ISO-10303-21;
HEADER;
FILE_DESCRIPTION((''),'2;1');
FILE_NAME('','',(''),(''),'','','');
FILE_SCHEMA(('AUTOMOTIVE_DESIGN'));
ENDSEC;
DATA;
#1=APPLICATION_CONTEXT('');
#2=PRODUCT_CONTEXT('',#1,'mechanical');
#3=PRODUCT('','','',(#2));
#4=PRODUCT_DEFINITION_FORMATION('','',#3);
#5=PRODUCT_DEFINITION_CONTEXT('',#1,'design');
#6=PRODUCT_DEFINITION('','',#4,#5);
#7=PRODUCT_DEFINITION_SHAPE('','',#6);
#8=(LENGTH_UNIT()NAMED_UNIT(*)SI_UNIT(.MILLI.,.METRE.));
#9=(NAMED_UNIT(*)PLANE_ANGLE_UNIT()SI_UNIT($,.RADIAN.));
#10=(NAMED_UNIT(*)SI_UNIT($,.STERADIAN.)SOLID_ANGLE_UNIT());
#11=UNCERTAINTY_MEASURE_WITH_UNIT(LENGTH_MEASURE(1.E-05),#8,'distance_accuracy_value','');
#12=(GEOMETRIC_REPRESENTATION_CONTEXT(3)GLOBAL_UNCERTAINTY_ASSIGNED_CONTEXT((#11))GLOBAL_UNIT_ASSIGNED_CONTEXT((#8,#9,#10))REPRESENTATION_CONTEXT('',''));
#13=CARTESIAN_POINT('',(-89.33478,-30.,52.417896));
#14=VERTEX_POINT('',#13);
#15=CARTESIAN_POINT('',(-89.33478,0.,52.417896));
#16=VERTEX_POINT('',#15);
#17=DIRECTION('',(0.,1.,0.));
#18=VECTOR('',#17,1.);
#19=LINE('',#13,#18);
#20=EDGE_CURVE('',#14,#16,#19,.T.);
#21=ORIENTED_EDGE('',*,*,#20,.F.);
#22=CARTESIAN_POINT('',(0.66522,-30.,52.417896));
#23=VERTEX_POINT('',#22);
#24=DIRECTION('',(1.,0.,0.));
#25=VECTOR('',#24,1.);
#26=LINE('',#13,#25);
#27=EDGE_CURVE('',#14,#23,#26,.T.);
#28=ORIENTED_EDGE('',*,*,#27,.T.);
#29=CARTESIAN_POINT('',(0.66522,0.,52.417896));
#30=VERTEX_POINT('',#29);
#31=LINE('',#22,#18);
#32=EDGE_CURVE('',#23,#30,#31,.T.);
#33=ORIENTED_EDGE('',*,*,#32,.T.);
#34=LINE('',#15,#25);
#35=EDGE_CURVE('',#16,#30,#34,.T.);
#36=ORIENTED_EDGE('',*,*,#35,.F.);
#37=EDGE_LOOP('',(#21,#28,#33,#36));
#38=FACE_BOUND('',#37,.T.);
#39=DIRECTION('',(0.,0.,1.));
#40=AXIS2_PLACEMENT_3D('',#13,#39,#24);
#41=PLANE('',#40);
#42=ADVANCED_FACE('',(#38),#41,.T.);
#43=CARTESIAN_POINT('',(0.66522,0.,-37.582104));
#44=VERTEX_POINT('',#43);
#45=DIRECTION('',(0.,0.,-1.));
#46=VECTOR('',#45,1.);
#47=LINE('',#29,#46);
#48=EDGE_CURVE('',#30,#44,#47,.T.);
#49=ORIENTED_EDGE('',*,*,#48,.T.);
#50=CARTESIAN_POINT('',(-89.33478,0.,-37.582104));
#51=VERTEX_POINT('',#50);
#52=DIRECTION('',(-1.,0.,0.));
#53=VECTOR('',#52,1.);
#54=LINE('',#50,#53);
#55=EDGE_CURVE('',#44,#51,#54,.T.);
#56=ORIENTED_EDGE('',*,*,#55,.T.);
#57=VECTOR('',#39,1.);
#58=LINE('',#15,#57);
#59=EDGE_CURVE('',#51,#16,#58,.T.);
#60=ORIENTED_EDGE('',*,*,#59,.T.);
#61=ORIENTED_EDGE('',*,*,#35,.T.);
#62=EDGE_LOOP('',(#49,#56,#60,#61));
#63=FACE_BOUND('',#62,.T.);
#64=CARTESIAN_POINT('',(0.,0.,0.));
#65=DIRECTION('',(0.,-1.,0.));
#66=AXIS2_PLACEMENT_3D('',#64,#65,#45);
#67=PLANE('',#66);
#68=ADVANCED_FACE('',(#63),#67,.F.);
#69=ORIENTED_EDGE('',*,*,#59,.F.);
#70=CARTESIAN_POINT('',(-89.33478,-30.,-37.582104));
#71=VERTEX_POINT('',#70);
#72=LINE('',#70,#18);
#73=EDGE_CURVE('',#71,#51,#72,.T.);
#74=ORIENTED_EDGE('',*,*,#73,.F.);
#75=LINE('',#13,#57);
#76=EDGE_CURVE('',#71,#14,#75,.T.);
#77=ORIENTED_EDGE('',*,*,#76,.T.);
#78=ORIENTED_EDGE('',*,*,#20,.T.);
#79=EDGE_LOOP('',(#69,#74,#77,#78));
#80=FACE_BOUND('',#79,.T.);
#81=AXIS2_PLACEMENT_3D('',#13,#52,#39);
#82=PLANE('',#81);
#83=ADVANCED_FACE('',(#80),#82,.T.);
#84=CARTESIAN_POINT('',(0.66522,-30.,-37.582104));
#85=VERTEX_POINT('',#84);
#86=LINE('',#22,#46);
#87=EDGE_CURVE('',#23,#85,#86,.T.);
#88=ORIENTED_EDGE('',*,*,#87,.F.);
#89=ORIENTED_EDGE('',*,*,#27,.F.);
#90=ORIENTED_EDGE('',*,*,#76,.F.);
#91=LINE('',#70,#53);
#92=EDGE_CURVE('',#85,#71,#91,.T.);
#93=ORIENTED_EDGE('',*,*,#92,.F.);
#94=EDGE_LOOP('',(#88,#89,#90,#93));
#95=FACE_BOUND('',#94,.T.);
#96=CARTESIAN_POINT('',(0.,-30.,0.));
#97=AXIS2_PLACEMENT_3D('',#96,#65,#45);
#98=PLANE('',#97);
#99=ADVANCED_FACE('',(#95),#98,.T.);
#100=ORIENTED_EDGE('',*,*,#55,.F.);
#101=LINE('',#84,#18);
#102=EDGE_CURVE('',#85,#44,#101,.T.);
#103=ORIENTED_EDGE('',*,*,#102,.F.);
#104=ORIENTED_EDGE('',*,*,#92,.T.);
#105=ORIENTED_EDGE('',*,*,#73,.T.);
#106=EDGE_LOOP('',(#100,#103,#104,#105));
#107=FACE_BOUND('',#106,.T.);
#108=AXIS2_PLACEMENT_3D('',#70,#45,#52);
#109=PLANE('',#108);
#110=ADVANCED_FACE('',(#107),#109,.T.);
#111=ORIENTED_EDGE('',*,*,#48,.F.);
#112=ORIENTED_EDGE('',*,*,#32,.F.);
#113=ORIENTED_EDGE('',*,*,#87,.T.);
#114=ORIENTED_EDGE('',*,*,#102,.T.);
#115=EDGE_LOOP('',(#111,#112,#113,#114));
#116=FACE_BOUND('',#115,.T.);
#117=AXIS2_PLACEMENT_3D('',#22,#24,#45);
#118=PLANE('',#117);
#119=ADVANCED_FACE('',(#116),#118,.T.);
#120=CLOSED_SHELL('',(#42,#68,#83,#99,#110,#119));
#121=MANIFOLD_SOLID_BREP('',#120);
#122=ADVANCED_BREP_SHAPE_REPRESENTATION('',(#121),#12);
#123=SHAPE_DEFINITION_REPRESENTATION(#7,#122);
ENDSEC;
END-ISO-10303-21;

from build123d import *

# Parameters (mm, degrees)
SKETCH1_W           = 90
SKETCH1_H           = 90
BOSS_EXTRUDE1_DEPTH = 30


with BuildPart() as part:
    # Sketch1 → Boss-Extrude1 (new body)
    with BuildSketch(Plane(origin=(0, 0, 0), x_dir=(1, 0, 0), z_dir=(0, 1, 0))):
        with Locations((-44.334780029, -7.417896044)):
            Rectangle(SKETCH1_W, SKETCH1_H)
    extrude(amount=-BOSS_EXTRUDE1_DEPTH)


solid = part.part
